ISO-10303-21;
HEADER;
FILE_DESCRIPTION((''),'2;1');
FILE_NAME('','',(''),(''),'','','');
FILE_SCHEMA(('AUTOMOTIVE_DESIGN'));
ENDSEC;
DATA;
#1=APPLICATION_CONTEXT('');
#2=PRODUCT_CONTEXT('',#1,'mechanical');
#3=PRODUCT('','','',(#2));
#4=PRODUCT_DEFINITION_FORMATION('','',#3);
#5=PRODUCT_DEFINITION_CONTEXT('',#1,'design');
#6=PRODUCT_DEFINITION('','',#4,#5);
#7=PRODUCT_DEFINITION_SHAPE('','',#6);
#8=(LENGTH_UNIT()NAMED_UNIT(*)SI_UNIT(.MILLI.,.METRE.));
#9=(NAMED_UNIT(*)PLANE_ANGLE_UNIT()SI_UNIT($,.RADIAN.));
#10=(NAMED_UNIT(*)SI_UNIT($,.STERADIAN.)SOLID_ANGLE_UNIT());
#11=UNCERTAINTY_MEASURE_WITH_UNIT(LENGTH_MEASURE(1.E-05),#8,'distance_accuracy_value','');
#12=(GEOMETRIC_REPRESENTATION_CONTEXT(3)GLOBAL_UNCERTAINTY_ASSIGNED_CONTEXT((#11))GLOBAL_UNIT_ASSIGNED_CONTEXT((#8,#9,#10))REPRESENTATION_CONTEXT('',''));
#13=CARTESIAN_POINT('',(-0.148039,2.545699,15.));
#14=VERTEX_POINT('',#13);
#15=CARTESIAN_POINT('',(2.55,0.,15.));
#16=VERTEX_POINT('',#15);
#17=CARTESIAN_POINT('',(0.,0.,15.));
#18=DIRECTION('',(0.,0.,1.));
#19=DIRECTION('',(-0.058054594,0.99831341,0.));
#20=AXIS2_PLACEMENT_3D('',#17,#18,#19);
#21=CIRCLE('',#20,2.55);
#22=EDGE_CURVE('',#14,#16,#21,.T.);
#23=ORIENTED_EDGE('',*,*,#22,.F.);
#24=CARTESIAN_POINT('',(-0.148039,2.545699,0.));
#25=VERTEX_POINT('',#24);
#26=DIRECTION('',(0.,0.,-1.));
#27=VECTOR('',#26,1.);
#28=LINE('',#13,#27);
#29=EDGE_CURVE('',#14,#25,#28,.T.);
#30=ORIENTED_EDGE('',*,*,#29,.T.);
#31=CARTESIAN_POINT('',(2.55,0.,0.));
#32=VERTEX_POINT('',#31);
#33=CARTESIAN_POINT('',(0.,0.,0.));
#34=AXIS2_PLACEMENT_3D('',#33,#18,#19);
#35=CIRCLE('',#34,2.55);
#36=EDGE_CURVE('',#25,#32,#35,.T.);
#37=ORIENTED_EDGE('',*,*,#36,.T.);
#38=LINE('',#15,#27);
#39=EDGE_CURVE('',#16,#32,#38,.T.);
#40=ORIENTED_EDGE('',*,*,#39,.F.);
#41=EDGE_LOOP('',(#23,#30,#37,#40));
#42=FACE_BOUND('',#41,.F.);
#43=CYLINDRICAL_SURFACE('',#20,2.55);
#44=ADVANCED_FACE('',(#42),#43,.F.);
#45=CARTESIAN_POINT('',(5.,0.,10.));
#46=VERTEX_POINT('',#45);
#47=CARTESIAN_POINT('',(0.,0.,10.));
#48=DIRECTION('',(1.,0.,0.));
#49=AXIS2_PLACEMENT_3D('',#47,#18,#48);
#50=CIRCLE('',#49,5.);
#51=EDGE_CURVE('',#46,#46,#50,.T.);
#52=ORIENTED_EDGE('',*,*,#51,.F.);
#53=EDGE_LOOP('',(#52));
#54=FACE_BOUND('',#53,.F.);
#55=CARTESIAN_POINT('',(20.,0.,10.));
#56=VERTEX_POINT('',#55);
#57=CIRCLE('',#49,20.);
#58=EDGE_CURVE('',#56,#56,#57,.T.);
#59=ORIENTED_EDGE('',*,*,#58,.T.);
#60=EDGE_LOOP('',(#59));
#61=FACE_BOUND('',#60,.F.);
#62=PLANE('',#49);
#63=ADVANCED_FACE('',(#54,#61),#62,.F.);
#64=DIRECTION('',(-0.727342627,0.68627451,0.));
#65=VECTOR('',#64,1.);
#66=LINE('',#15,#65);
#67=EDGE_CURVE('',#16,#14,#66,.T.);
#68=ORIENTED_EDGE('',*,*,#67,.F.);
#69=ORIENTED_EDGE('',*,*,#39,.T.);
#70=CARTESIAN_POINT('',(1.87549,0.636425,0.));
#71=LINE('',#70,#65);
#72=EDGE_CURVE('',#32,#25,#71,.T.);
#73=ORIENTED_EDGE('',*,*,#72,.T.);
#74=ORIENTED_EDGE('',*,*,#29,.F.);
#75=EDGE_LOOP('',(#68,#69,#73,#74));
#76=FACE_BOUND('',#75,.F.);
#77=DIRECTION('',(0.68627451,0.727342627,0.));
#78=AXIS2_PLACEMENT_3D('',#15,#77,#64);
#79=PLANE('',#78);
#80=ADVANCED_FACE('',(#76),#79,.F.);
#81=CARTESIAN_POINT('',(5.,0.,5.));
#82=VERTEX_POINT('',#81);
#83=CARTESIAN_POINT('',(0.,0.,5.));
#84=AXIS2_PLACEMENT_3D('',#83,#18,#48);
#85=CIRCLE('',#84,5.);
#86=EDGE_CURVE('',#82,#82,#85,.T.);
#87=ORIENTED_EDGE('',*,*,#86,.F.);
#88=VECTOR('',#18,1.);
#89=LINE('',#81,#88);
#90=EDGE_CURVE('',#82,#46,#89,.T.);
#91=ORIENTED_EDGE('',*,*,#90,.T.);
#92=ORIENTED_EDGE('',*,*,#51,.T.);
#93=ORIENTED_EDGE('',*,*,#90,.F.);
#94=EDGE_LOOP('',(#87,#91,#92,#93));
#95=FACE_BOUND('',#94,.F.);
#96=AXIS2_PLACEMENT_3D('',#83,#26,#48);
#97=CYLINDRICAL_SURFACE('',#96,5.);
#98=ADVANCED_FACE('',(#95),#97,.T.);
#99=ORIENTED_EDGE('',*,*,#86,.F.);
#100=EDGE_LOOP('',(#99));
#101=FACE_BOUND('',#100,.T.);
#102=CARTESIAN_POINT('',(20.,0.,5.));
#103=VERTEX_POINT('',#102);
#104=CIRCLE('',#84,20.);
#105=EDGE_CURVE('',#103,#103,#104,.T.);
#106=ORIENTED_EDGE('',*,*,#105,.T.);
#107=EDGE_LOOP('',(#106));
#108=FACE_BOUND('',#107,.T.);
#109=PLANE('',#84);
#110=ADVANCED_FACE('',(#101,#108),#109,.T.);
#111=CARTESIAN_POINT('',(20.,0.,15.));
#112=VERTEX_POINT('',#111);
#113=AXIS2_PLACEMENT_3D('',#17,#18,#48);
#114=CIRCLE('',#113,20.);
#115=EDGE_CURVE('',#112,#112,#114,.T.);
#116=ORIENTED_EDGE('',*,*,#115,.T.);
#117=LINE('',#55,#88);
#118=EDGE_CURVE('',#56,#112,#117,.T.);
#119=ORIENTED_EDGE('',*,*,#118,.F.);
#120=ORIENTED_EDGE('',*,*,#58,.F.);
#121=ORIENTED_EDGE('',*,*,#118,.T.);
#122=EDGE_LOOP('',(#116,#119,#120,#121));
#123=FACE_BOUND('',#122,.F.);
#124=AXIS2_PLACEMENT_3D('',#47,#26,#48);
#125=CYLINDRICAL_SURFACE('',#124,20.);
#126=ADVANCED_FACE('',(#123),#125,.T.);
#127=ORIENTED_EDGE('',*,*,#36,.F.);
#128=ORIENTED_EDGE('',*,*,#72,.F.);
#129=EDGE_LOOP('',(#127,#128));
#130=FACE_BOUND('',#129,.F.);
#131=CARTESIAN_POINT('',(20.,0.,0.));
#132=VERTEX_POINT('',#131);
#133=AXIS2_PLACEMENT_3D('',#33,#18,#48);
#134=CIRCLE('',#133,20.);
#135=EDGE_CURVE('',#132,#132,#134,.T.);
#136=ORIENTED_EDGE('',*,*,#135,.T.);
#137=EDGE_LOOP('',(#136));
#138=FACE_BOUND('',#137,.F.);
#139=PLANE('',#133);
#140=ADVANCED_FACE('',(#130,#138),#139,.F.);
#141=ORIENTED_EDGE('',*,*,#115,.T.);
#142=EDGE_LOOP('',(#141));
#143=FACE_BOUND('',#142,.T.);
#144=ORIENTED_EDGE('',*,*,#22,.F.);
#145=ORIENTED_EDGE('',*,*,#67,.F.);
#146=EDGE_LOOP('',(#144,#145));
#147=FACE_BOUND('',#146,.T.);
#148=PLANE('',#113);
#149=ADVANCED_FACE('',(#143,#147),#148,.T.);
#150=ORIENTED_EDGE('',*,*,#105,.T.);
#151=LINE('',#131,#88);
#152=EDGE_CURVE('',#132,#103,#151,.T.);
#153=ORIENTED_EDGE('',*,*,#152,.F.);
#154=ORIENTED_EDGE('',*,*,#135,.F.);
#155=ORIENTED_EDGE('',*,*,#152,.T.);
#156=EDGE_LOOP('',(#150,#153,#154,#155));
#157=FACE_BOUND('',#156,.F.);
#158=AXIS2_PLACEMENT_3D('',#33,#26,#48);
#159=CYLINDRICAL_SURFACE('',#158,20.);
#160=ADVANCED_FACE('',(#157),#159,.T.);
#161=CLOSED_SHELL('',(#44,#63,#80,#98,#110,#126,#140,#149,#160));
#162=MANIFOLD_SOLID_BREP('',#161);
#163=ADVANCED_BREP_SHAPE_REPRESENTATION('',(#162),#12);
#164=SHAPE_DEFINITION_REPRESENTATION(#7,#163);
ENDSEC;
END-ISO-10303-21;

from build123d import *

# Parameters (mm, degrees)
F0_R     = 20
F1_DEPTH = 5
F2_R     = 5
F3_DEPTH = 5
F4_R     = 20
F5_DEPTH = 5
F7_DEPTH = 25


with BuildPart() as f1:
    # F0 (on Top) → F1 (new body)
    with BuildSketch(Plane.XY):
        Circle(F0_R)
    extrude(amount=F1_DEPTH)

    # F2 (on face) → F3 (join)
    with BuildSketch(Plane.XY.offset(5)):
        Circle(F2_R)
    extrude(amount=F3_DEPTH)

    # F4 (on face) → F5 (join)
    with BuildSketch(Plane.XY.offset(10)):
        Circle(F4_R)
    extrude(amount=F5_DEPTH)

    # F6 (on face) → F7 (cut)
    with BuildSketch(Plane.XY.offset(15)):
        with BuildLine():
            ThreePointArc((-0.1480392157, 2.5456991948), (-1.75, -1.8547236991), (2.55, 0))
            Line((2.55, 0), (-0.1480392157, 2.5456991948))
        make_face()
    extrude(amount=-F7_DEPTH, mode=Mode.SUBTRACT)


solid = f1.part
